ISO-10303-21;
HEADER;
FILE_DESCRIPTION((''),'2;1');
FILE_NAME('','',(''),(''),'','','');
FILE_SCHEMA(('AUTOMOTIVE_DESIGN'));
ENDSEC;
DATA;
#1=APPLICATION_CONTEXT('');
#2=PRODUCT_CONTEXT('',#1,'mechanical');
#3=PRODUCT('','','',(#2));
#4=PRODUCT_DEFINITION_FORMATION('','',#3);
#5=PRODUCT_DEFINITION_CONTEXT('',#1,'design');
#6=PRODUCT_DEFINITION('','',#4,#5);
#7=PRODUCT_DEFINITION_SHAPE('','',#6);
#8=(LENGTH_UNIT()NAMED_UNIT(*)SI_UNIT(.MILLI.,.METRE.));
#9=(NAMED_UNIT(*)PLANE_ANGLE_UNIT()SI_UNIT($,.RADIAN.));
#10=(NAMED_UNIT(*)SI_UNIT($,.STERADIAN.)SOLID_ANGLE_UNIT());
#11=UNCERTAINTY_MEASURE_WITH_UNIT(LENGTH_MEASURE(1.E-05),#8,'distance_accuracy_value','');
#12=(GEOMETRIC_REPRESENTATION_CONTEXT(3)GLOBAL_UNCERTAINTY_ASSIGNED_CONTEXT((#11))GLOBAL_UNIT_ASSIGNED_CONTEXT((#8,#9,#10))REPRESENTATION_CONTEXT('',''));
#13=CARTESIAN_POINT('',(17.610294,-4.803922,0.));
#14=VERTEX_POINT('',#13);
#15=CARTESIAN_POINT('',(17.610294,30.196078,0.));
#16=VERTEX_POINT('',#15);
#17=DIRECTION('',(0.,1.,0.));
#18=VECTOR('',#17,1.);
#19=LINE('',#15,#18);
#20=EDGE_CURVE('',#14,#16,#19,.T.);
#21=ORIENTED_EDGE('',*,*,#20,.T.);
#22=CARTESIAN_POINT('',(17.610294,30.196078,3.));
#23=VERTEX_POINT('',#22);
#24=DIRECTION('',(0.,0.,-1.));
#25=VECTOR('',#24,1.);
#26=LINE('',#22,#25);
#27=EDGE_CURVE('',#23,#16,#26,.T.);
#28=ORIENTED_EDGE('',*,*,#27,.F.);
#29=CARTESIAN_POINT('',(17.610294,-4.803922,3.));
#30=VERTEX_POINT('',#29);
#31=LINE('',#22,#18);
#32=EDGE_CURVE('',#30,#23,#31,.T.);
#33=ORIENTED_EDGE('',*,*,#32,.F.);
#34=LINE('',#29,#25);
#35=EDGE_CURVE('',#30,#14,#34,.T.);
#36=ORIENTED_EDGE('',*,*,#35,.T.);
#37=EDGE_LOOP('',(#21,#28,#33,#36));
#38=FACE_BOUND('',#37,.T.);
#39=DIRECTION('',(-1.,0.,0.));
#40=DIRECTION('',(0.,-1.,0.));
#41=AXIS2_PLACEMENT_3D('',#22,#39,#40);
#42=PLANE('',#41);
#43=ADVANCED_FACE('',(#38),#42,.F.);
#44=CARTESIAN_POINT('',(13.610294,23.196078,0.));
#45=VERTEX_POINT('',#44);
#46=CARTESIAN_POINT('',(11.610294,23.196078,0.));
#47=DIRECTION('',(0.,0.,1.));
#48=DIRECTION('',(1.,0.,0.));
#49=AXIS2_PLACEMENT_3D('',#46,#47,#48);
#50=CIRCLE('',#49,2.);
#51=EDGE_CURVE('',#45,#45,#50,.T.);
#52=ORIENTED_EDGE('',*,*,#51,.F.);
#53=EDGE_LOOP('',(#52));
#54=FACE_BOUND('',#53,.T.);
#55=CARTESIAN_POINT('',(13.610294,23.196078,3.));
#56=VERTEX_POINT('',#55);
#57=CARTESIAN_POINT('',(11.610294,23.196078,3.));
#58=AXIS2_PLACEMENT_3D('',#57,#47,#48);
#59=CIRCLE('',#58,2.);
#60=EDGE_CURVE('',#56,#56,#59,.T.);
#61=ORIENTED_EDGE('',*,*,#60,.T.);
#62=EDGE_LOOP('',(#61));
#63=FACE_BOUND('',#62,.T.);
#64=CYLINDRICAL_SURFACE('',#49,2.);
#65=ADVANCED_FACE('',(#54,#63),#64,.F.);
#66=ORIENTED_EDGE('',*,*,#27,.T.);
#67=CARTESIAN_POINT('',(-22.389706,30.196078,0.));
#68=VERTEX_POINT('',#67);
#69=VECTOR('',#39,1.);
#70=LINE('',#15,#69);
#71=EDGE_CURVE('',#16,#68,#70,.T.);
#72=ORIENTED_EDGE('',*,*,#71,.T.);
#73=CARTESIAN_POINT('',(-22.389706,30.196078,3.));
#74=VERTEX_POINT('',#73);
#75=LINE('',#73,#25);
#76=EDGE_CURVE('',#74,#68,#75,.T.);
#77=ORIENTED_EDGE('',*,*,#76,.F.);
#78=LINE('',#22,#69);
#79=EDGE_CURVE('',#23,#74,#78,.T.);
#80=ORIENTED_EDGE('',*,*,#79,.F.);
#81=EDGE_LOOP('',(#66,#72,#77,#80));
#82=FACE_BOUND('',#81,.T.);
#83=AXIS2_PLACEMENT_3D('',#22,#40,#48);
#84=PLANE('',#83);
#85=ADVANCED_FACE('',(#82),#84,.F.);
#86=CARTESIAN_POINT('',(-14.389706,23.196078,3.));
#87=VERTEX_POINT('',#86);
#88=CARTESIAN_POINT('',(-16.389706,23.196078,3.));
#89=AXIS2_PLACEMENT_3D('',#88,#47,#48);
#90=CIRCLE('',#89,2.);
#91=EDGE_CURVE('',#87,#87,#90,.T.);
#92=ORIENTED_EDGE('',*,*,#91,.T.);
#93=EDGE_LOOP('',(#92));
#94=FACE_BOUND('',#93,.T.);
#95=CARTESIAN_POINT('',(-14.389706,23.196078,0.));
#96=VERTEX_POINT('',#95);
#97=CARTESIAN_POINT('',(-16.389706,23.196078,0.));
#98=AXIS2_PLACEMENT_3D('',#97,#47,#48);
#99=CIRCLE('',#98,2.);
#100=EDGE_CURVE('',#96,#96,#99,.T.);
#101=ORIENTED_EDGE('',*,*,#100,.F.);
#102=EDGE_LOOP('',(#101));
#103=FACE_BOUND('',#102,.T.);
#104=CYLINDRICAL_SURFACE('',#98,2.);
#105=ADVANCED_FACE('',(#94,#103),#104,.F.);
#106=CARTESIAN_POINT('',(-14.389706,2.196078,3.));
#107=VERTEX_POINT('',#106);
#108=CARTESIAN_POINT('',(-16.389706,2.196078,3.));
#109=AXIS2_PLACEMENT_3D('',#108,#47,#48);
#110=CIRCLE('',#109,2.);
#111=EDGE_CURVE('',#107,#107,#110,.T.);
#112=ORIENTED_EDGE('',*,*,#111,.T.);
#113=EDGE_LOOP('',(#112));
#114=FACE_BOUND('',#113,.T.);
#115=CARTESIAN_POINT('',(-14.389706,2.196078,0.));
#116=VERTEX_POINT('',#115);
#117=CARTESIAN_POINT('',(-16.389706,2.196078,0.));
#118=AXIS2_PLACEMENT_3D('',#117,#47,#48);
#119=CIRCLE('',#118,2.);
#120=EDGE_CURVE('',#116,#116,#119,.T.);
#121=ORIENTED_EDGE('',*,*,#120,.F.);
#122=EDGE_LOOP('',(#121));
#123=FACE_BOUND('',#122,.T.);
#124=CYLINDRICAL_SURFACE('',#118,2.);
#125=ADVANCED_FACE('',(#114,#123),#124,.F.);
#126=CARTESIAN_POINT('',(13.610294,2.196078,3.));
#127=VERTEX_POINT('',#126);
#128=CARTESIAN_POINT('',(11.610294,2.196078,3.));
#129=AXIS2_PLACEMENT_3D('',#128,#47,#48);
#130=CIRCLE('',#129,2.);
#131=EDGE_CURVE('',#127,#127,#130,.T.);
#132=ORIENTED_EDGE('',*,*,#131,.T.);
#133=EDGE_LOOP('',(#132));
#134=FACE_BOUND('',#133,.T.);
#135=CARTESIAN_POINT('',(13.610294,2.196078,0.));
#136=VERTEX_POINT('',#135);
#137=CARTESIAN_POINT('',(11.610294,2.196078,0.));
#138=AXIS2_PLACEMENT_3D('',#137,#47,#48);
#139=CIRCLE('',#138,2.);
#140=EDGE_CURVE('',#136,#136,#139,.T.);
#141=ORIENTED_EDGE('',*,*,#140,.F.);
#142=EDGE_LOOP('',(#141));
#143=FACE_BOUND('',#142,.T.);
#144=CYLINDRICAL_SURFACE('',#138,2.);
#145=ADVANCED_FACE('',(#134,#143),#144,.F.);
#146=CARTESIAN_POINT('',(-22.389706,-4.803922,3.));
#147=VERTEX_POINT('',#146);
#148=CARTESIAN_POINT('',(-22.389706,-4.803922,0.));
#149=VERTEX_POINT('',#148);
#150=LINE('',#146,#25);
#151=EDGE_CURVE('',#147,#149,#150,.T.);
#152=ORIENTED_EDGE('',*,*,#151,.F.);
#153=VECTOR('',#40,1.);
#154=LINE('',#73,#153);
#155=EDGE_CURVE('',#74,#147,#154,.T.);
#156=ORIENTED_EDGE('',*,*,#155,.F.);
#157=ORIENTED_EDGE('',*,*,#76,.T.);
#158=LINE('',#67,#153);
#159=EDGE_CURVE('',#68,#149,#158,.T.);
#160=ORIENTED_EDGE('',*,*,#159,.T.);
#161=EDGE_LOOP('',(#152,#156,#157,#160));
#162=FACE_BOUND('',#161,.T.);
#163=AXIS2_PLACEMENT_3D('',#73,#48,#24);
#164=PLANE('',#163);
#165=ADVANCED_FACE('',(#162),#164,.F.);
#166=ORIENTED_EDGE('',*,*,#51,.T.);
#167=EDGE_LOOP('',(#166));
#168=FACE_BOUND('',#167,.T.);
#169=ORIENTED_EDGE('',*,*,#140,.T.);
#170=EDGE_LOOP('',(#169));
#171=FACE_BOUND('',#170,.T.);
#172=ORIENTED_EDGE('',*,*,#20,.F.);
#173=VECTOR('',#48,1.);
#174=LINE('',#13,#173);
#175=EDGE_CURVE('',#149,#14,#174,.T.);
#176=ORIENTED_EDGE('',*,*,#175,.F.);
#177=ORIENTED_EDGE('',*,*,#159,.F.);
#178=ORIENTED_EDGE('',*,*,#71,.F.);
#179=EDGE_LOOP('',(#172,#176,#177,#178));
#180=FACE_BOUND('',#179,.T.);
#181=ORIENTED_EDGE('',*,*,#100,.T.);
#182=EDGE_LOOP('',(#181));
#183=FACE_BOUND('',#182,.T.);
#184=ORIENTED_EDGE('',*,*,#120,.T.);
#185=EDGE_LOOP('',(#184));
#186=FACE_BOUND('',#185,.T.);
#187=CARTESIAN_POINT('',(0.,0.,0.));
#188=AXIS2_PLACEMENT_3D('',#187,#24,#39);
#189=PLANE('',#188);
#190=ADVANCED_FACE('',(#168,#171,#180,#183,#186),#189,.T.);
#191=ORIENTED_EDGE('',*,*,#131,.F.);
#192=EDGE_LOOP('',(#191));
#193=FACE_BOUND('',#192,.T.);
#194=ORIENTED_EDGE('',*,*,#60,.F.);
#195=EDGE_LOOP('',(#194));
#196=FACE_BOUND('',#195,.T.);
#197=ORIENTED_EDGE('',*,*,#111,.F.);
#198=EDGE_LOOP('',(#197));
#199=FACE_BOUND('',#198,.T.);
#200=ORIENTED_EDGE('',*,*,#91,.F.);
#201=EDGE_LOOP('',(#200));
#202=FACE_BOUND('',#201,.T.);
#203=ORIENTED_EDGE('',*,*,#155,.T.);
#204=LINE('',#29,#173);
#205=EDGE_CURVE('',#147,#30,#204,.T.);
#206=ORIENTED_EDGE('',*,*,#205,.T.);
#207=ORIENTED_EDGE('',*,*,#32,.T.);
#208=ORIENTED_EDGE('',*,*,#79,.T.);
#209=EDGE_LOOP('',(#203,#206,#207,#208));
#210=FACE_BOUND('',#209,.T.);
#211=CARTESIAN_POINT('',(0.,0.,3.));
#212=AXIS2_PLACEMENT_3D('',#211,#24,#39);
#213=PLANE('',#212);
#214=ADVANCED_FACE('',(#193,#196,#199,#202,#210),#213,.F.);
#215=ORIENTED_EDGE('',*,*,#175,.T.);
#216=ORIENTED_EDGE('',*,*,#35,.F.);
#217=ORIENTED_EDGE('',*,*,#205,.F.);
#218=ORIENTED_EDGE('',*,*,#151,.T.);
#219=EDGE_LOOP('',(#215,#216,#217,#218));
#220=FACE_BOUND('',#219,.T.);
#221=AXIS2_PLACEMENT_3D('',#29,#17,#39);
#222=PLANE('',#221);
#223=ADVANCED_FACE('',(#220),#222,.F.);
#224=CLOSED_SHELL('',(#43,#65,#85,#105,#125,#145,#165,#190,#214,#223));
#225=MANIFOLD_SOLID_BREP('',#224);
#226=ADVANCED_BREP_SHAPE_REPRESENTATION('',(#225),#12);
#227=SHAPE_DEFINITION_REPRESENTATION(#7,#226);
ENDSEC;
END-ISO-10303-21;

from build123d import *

# Parameters (mm, degrees)
SKETCH1_W           = 40
SKETCH1_H           = 35
BOSS_EXTRUDE1_DEPTH = 3
SKETCH2_R           = 2
CUT_EXTRUDE1_DEPTH  = 3


with BuildPart() as part:
    # Sketch1 → Boss-Extrude1 (new body)
    with BuildSketch(Plane.XY):
        with Locations((-2.389705882, 12.696078431)):
            Rectangle(SKETCH1_W, SKETCH1_H)
    extrude(amount=BOSS_EXTRUDE1_DEPTH)

    # Sketch2 → Cut-Extrude1 (cut)
    with BuildSketch(Plane.XY.offset(3)):
        with Locations((-16.389705882, 23.196078431)):
            Circle(SKETCH2_R)
        with Locations((-16.389705882, 2.196078431)):
            Circle(SKETCH2_R)
        with Locations((11.610294118, 2.196078431)):
            Circle(SKETCH2_R)
        with Locations((11.610294118, 23.196078431)):
            Circle(SKETCH2_R)
    extrude(amount=-CUT_EXTRUDE1_DEPTH, mode=Mode.SUBTRACT)


solid = part.part
